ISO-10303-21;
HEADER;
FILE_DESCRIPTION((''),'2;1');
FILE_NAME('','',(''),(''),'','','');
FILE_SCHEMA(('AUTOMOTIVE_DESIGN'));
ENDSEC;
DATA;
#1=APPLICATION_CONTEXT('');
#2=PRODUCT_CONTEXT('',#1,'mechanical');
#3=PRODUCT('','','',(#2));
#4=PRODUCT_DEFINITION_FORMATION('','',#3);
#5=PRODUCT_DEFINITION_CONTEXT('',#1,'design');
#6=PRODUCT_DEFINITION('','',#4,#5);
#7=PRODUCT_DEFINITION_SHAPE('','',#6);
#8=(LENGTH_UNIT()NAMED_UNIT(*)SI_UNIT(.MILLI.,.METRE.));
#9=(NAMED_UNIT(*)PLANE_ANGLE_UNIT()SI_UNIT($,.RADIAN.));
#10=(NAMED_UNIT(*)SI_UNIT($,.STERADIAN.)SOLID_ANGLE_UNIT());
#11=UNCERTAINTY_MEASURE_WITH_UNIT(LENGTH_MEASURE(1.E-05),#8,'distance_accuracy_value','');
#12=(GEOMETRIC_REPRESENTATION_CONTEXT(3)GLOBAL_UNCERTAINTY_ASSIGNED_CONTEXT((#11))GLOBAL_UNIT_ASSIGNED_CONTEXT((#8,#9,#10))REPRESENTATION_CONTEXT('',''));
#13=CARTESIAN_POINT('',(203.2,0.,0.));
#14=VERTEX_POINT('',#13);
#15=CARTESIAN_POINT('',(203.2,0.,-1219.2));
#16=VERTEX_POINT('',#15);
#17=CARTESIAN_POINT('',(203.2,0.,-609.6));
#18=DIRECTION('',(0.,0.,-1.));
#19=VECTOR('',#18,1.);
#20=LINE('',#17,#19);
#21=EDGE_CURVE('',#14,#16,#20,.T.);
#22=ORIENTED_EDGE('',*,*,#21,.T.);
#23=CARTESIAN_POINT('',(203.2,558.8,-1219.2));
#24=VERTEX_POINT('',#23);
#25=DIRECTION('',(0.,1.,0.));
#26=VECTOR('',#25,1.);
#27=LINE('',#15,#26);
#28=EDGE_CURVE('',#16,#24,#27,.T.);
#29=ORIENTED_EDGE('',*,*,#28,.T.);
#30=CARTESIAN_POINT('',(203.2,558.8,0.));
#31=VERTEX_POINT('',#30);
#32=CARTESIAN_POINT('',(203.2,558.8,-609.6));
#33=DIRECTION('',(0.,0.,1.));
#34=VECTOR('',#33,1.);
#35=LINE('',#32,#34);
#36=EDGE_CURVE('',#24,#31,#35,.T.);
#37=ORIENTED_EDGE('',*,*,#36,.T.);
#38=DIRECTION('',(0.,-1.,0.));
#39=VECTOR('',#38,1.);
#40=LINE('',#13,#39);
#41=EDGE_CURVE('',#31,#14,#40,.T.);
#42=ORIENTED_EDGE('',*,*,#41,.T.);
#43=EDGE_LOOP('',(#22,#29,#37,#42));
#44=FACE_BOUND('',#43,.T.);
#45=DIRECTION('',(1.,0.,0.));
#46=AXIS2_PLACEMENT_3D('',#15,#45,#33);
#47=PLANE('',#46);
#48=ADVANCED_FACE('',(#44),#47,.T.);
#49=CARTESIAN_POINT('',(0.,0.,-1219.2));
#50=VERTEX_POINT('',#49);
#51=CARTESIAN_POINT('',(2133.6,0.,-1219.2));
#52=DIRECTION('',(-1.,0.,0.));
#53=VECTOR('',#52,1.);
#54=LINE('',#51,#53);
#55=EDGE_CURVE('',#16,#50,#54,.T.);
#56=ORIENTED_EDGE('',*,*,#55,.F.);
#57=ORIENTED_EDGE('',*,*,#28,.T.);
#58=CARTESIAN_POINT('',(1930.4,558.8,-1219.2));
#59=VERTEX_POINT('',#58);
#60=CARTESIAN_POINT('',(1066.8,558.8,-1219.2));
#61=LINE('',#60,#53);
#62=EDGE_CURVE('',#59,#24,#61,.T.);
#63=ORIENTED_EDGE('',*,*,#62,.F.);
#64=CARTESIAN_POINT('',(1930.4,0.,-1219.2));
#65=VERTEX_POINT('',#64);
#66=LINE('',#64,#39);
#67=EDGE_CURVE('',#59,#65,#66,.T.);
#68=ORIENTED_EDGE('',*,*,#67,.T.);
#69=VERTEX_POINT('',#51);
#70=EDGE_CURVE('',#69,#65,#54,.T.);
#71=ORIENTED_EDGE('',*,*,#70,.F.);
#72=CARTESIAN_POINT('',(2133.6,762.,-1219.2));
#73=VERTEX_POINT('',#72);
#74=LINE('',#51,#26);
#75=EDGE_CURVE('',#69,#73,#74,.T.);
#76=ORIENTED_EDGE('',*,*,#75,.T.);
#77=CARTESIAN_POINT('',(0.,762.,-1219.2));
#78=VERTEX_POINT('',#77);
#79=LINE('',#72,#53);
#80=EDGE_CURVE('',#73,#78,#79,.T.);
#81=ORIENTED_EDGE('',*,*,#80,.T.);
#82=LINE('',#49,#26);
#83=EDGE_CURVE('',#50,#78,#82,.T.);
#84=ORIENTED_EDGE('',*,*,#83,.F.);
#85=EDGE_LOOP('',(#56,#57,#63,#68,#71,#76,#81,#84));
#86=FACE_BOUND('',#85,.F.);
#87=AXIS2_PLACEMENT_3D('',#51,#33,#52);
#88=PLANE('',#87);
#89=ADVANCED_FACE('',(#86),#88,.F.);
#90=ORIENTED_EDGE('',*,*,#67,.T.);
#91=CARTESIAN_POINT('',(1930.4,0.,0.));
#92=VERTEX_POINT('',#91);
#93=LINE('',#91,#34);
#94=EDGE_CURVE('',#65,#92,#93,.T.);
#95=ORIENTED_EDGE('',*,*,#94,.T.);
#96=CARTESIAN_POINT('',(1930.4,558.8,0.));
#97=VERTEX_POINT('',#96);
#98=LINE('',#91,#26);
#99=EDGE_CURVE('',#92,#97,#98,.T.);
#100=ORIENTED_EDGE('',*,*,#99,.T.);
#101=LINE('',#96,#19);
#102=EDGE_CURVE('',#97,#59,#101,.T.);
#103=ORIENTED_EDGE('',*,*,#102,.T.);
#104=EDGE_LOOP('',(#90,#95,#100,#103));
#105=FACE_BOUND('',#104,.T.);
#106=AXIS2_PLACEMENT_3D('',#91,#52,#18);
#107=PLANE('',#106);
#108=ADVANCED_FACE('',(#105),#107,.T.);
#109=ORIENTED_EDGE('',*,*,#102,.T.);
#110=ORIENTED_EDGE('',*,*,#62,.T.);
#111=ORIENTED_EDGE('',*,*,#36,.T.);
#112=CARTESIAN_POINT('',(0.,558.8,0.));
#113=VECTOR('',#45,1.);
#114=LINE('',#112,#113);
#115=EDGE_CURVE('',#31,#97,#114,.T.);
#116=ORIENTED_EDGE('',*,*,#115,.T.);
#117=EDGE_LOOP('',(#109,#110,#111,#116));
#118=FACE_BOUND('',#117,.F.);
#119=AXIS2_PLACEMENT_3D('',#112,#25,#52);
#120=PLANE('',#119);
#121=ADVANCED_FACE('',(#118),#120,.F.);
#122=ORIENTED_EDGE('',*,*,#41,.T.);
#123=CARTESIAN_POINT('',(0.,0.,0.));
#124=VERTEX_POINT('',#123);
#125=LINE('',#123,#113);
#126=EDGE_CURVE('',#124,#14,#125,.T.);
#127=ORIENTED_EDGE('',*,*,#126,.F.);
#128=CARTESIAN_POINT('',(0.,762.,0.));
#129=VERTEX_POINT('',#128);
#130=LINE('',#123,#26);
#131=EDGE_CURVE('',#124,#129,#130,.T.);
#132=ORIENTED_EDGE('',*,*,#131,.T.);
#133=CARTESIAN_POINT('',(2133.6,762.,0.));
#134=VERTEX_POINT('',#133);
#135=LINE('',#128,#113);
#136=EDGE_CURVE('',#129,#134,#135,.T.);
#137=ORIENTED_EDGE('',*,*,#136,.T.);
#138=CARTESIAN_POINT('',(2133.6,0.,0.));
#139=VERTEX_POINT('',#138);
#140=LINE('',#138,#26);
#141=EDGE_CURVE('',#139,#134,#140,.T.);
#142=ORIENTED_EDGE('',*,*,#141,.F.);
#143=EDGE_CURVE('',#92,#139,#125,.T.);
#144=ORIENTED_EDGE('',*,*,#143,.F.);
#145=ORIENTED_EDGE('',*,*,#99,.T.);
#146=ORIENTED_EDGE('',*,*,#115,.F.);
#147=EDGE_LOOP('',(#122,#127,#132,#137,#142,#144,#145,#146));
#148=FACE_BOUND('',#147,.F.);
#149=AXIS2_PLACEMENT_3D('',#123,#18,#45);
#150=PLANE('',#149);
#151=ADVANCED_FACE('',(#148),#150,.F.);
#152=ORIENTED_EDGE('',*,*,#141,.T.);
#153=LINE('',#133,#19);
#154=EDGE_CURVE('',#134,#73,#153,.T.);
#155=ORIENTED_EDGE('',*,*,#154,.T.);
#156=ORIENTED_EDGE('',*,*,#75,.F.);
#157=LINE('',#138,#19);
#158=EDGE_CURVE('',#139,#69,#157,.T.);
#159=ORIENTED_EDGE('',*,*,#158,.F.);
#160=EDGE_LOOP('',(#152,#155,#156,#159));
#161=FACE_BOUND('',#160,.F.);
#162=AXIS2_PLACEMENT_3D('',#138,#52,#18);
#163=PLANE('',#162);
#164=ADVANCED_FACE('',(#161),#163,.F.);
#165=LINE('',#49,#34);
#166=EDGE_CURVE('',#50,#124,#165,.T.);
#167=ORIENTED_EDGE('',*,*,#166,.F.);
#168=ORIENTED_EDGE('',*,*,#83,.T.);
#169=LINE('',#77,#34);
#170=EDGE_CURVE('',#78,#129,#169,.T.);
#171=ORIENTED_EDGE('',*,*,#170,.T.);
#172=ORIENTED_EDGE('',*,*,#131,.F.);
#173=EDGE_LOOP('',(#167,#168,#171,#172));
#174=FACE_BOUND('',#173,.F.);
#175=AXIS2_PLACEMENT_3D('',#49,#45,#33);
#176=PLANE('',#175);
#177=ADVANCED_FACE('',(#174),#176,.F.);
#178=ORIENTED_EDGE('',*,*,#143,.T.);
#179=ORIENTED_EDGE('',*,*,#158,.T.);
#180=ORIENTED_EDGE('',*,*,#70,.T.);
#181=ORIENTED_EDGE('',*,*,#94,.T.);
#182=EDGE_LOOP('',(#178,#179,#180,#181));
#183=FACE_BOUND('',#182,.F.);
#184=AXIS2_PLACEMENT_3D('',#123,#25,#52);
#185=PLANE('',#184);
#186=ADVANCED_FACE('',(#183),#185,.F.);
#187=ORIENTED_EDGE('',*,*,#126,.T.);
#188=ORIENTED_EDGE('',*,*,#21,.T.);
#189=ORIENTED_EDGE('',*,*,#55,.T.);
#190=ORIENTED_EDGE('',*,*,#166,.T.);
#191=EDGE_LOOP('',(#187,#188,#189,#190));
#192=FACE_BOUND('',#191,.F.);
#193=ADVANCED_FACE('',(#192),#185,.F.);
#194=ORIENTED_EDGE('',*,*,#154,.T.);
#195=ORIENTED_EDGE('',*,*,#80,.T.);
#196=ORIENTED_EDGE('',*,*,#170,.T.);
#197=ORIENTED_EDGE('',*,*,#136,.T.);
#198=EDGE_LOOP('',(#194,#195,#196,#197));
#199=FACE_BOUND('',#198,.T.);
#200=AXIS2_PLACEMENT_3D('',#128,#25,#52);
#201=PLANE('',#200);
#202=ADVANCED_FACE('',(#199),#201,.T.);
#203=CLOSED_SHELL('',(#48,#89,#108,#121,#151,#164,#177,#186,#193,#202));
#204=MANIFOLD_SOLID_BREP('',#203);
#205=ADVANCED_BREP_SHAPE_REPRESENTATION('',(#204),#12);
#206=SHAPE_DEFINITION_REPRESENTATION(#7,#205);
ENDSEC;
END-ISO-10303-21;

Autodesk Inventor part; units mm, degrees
ref_plane "YZ Plane" through (0, 0, 0) normal (1, 0, 0) x (0, 1, 0)
ref_plane "XZ Plane" through (0, 0, 0) normal (0, 1, 0) x (-1, 0, 0)
ref_plane "XY Plane" through (0, 0, 0) normal (0, 0, 1) x (1, 0, 0)
sketch "Sketch2" plane through (0, 0, 0) normal (0, 1, 0) x (-1, 0, 0)
  line L0 (0, 0) -> (-2133.6, 0)
  line L1 (-2133.6, 0) -> (-2133.6, -1219.2)
  line L2 (-2133.6, -1219.2) -> (0, -1219.2)
  line L3 (0, -1219.2) -> (0, 0)
  dimension "d2" = 1219.2
  dimension "d3" = 2133.6
extrude "Extrusion1" add sketch "Sketch2" along normal blind 762
shell "Shell1" thickness 203.2 removed faces 3 at (711.2, 508, 0) at (1422.4, 508, -1219.2) at (1422.4, 0, -406.4)
properties part number "Table"
